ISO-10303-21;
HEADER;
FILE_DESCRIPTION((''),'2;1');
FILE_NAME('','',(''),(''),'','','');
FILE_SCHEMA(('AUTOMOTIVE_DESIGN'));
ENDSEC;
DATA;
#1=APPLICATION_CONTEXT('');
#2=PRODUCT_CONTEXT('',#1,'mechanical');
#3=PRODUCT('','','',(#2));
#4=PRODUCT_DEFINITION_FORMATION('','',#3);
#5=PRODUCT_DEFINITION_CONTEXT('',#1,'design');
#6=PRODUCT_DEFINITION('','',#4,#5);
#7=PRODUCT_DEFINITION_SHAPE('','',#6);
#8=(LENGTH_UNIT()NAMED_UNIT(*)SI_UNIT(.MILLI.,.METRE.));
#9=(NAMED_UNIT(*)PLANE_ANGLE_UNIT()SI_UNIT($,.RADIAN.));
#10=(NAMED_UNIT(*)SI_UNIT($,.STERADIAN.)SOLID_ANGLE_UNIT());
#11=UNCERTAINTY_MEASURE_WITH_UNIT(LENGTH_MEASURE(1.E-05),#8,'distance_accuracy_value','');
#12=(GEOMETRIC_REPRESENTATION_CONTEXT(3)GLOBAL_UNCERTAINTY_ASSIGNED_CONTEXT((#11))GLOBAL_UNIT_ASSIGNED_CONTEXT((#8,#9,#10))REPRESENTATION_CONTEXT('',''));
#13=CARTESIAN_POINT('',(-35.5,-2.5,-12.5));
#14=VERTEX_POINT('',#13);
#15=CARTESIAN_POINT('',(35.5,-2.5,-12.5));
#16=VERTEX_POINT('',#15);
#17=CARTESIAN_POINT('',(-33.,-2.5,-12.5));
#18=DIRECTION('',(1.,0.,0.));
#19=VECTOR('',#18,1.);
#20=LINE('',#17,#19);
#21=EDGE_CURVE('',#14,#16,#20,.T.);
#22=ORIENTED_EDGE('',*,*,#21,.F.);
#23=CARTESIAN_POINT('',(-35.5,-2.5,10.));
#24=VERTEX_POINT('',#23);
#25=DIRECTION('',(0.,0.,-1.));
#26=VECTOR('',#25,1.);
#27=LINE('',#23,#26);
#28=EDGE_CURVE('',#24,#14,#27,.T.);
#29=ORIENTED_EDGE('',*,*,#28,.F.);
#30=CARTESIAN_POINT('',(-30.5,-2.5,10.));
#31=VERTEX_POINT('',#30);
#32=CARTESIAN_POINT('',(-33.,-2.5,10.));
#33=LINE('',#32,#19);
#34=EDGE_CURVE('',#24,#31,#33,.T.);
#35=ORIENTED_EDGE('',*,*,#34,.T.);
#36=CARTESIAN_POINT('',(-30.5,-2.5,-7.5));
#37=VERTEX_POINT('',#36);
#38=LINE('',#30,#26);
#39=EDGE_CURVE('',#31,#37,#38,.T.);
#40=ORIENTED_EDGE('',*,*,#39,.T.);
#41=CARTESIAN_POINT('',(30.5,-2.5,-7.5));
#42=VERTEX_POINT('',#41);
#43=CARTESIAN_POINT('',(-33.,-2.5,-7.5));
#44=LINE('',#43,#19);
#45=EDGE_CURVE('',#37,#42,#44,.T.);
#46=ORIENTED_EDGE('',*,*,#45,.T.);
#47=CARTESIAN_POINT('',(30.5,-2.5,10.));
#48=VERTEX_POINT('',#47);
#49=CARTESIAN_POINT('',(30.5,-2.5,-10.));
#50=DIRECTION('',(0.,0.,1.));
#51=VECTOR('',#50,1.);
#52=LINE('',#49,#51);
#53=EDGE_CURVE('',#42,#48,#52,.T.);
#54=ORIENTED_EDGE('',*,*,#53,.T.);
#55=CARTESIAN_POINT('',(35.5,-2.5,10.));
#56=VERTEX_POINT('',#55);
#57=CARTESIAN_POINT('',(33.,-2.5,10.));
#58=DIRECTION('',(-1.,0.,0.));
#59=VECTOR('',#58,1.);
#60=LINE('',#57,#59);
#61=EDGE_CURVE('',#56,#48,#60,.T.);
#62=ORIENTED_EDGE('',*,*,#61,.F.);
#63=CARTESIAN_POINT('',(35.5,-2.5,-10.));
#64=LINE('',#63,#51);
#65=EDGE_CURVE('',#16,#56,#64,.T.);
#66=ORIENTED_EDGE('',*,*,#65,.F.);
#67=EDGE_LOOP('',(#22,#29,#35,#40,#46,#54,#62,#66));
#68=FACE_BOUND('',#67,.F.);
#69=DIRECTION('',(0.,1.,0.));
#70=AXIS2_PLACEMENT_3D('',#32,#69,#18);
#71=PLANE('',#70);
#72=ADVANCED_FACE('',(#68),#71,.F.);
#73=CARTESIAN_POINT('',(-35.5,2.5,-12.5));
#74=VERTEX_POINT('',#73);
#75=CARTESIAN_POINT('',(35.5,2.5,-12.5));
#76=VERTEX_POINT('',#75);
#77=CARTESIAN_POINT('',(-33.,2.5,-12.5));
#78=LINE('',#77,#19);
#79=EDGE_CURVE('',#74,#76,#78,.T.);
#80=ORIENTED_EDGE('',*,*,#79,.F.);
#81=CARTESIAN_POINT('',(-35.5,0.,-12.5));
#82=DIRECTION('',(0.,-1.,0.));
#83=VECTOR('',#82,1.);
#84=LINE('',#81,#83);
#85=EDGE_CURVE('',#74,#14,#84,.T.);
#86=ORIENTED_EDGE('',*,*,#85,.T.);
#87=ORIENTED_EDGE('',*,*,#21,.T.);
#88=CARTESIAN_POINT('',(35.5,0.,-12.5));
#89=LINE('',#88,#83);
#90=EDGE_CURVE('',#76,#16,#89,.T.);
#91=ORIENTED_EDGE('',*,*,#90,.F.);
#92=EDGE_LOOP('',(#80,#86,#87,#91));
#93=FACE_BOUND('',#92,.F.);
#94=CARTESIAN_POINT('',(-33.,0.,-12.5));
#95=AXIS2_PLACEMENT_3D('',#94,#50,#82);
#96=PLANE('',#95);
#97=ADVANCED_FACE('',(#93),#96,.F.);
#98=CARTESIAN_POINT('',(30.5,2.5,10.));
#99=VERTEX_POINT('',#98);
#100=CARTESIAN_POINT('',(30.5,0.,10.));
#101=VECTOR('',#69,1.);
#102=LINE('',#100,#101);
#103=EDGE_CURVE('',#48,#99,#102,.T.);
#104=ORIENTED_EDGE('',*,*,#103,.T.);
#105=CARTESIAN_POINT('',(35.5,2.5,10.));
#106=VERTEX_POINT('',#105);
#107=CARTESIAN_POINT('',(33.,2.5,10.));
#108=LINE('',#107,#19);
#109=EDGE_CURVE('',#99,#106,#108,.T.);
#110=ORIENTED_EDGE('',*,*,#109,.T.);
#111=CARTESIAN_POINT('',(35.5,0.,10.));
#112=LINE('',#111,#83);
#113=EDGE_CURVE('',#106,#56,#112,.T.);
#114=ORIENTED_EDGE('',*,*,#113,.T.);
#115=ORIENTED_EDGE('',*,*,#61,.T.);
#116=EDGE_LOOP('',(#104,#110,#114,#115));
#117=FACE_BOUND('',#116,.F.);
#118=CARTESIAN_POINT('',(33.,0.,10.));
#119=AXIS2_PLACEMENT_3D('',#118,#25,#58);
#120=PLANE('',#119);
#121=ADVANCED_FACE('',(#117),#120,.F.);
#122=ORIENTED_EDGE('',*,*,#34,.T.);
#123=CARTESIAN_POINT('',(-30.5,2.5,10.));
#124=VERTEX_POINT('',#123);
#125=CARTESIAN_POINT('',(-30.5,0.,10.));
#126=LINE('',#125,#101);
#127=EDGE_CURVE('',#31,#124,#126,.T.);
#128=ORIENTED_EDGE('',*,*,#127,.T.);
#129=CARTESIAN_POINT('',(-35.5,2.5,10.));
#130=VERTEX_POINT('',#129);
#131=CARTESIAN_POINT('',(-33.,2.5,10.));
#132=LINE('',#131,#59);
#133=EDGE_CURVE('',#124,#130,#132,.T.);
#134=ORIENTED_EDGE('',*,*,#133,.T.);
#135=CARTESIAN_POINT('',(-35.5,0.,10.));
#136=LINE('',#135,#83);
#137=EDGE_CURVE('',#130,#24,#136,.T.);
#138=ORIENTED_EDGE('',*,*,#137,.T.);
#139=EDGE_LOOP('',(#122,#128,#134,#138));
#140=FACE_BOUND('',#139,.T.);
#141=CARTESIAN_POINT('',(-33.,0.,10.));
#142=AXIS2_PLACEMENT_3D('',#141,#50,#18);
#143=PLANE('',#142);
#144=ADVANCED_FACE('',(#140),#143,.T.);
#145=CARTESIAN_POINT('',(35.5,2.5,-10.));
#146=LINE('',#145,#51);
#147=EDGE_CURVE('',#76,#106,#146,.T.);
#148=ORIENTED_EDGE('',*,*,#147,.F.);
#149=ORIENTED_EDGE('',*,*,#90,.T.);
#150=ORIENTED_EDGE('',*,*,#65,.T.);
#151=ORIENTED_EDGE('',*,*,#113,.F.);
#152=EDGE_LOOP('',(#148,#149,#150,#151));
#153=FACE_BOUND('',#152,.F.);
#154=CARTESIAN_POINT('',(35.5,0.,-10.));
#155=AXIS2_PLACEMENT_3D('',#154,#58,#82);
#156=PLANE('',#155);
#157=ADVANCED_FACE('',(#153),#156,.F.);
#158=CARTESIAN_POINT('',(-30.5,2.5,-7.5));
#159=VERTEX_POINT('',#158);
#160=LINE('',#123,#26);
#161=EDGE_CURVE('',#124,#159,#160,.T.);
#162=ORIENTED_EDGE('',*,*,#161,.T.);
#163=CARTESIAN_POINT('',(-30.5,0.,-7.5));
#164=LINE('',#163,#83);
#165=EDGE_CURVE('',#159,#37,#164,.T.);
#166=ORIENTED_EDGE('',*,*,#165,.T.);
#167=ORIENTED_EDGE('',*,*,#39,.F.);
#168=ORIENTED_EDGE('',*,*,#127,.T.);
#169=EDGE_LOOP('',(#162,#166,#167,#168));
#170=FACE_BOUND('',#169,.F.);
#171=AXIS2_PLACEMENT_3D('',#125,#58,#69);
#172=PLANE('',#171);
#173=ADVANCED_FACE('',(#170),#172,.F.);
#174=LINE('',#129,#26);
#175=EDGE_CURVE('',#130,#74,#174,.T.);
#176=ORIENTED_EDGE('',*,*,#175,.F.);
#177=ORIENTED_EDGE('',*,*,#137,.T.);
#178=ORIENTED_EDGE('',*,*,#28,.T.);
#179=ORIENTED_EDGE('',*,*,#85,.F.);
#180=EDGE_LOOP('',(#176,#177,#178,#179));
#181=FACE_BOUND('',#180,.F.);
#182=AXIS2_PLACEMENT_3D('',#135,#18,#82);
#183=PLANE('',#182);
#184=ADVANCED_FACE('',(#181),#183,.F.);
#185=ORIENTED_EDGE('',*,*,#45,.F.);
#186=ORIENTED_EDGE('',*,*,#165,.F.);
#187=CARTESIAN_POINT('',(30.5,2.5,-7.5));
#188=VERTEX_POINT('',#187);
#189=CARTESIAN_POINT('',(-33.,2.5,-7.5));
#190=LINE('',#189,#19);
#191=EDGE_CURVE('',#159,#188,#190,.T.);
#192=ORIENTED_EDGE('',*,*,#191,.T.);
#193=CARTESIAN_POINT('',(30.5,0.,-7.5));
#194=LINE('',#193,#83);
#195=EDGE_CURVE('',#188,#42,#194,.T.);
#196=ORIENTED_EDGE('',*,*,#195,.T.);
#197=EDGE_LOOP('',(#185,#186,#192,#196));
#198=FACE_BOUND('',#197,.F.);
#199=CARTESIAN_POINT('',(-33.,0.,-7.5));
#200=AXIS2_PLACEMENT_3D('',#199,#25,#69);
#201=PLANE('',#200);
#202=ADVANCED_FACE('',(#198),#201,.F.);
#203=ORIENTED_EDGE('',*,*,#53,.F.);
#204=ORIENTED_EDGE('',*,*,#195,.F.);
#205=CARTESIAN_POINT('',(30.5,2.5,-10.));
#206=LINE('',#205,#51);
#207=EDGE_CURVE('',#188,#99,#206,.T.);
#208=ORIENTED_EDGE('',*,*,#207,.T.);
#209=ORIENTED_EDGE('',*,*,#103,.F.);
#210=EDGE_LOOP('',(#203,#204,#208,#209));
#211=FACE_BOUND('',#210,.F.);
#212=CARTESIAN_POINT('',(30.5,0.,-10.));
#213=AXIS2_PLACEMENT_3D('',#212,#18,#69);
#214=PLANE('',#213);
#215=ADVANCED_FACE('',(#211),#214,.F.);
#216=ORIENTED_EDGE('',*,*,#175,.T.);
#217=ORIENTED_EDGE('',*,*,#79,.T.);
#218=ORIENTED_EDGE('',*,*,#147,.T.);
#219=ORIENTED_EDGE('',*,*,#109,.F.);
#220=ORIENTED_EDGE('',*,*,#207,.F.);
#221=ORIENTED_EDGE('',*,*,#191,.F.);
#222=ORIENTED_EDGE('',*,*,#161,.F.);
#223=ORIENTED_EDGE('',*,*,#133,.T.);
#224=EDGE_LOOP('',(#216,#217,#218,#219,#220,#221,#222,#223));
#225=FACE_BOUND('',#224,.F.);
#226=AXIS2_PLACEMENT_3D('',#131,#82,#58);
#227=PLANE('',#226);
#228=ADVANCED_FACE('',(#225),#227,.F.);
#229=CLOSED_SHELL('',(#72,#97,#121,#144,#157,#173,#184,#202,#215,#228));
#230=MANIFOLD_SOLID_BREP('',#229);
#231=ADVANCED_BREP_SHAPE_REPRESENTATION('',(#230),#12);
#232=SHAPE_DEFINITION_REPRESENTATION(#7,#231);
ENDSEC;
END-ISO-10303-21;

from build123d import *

# Parameters (mm, degrees)
F2_W = 5
F2_H = 5


with BuildPart() as f3:
    # F3: sweep along a path in F0
    with BuildLine(Plane.XZ) as f3_path:
        Line((-33, 10), (-33, -10))
        Line((-33, -10), (33, -10))
        Line((33, -10), (33, 10))
    # F2 (on plane+point) → F3 (sweep)
    with BuildSketch(Plane.XY.offset(10)):
        with Locations((-33, 0)):
            Rectangle(F2_W, F2_H)
    sweep(path=f3_path.line, transition=Transition.RIGHT)


solid = f3.part
